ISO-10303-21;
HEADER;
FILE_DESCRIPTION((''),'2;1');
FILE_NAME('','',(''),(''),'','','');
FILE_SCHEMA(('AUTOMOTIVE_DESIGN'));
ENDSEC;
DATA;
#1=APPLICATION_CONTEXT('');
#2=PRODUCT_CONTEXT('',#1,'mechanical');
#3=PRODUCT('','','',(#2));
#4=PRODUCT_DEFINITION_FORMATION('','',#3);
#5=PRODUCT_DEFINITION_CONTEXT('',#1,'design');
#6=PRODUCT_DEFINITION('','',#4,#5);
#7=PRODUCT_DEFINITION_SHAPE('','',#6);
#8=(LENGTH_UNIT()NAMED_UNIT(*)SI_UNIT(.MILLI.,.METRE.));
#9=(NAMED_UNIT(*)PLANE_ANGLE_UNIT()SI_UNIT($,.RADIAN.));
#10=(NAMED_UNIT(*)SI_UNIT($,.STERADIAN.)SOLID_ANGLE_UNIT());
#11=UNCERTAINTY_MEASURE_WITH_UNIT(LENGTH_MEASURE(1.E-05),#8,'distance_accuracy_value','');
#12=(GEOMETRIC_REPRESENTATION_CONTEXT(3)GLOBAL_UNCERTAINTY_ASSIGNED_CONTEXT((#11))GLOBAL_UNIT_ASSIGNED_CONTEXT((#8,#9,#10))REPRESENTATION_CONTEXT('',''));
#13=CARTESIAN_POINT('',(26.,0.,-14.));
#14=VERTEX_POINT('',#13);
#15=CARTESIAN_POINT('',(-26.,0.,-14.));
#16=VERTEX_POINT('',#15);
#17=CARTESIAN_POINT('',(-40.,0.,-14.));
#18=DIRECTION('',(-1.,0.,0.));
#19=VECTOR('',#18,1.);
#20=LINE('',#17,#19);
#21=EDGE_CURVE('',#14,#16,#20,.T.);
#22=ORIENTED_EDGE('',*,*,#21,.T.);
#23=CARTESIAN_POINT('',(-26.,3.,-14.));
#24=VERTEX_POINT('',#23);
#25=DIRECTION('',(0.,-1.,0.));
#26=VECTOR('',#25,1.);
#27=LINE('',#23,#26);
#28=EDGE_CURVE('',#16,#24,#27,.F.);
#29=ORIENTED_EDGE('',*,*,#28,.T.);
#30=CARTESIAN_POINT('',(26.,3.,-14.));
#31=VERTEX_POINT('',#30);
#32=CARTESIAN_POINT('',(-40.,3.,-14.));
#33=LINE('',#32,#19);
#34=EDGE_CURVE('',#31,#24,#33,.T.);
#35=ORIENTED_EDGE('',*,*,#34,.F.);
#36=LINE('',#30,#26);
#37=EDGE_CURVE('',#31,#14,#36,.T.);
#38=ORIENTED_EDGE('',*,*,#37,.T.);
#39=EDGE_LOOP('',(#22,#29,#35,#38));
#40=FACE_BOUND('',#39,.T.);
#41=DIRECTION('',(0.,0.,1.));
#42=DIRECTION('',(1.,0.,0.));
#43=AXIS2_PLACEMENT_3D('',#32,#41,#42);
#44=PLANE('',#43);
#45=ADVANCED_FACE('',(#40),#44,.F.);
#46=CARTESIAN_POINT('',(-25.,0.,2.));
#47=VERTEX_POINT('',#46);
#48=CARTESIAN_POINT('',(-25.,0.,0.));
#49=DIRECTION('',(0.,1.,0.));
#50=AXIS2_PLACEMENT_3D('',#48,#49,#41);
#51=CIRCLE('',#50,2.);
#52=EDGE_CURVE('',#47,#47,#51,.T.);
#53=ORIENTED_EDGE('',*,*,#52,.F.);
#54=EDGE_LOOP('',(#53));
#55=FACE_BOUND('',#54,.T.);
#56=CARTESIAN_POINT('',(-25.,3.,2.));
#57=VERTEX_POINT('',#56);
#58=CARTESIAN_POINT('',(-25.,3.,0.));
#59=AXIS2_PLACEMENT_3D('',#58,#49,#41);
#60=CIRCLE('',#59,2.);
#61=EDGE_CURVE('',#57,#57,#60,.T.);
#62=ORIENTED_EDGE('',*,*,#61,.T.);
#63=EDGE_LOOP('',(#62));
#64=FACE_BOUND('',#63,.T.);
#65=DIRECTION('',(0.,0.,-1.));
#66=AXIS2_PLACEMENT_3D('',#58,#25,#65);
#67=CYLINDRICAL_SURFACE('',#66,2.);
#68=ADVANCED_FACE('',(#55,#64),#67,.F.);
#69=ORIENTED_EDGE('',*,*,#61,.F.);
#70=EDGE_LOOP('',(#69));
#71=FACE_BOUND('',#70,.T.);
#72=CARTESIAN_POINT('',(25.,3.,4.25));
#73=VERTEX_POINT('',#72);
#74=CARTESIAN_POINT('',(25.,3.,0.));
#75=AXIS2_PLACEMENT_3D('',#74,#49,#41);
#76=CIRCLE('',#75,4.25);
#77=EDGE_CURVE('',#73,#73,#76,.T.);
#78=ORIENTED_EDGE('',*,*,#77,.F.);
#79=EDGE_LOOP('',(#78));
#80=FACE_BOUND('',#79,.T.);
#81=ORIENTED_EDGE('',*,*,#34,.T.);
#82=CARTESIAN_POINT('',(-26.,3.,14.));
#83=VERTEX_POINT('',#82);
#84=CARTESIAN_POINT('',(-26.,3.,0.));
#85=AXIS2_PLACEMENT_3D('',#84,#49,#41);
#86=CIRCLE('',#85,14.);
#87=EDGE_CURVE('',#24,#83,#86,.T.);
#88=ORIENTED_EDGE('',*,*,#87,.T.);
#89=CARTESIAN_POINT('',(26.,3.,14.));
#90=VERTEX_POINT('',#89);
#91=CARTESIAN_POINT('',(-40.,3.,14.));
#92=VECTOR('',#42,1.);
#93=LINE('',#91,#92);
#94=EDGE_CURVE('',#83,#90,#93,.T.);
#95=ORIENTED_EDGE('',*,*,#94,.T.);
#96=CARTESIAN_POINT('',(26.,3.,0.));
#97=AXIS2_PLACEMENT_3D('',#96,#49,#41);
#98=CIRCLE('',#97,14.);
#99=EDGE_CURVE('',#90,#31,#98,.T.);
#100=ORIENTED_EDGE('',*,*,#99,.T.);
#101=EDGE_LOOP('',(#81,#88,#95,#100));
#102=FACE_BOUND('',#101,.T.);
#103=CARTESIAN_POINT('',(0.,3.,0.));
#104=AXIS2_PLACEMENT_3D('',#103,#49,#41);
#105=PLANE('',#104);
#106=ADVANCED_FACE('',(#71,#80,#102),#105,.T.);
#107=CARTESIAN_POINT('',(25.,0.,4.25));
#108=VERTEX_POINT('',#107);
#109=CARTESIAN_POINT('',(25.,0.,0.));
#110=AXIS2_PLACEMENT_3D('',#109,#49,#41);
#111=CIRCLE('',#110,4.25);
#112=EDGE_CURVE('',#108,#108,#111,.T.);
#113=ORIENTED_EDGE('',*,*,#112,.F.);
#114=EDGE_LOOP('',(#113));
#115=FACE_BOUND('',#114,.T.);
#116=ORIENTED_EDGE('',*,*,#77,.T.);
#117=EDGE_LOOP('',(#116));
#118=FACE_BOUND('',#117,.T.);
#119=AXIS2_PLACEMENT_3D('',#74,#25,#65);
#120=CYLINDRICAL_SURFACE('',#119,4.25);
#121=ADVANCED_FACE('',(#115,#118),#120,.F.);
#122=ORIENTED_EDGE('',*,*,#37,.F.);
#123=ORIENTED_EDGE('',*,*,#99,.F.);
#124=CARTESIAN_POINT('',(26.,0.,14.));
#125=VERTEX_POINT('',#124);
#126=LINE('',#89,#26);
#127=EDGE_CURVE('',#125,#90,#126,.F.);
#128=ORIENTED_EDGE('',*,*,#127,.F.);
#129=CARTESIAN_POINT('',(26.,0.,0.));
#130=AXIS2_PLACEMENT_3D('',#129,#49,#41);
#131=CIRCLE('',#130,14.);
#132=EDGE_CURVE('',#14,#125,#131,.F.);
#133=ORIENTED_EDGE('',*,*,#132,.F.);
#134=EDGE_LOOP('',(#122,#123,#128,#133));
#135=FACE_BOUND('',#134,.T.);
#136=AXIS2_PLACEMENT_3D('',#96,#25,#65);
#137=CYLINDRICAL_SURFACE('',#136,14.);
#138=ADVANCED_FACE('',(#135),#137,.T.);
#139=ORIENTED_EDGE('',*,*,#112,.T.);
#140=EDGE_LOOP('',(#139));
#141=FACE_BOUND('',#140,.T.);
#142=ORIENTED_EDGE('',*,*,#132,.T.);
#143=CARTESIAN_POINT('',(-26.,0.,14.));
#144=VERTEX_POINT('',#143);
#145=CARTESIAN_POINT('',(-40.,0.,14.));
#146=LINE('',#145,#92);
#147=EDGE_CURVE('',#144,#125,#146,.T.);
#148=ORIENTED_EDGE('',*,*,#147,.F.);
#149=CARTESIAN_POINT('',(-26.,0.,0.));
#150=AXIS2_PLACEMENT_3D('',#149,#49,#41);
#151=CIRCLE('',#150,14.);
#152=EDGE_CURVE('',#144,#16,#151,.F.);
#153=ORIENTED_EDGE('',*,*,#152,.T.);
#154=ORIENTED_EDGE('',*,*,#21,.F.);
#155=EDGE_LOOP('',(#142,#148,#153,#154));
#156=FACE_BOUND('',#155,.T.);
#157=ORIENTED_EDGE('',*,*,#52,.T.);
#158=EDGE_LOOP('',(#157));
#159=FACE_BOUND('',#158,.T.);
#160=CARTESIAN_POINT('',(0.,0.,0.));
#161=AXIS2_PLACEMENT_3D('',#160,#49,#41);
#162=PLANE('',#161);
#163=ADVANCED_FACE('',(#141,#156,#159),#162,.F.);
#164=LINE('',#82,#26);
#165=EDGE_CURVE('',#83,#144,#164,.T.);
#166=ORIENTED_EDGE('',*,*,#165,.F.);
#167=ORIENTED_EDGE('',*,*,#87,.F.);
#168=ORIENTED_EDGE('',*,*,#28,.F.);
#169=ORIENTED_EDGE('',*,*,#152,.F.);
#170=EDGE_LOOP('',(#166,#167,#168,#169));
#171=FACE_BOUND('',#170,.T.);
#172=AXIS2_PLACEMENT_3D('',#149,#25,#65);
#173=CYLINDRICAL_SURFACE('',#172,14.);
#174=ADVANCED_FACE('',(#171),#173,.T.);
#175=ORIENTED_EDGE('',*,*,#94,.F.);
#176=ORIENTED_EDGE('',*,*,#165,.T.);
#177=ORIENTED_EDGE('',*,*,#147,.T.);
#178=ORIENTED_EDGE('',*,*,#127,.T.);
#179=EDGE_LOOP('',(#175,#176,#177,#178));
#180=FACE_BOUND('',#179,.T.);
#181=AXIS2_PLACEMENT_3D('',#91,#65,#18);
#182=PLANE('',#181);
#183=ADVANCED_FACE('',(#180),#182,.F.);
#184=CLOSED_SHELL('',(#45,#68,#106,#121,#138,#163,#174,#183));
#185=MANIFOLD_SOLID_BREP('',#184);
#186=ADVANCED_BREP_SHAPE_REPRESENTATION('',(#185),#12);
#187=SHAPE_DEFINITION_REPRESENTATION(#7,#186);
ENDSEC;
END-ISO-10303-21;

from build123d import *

# Parameters (mm, degrees)
SKETCH_1_W      = 80
SKETCH_1_H      = 28
SKETCH_1_R      = 4.25
SKETCH_1_R_2    = 2
EXTRUDE_1_DEPTH = 3
FILLET_1_RADIUS = 14
FILLET_1_LENGTH = 3
FILLET_2_RADIUS = 14
FILLET_2_LENGTH = 3


with BuildPart() as part:
    # 草图1 → 凸台-拉伸1 (new body)
    with BuildSketch(Plane(origin=(0, 0, 0), x_dir=(1, 0, 0), z_dir=(0, 1, 0))):
        Rectangle(SKETCH_1_W, SKETCH_1_H)
        with Locations(Location((25, 0, 0), (0, 0, 270))):
            Circle(SKETCH_1_R, mode=Mode.SUBTRACT)
        with Locations(Location((-25, 0, 0), (0, 0, 270))):
            Circle(SKETCH_1_R_2, mode=Mode.SUBTRACT)
    extrude(amount=EXTRUDE_1_DEPTH)

    # 圆角1: full round fillet: the end face becomes a half cylinder, R = half its width
    fillet_1_face = Plane((-40, 1.5, 0), x_dir=(0, 1, 0), z_dir=(-1, 0, 0))  # on the end face: x along it, z out of the body
    fillet_1_slab = fillet_1_face.offset(-FILLET_1_RADIUS / 2) * Box(FILLET_1_LENGTH, 2 * FILLET_1_RADIUS, FILLET_1_RADIUS, mode=Mode.PRIVATE)  # the body's end, R deep
    fillet_1_round = Plane((-26, 1.5, 0), x_dir=(-1, 0, 0), z_dir=(0, 1, 0)) * Cylinder(FILLET_1_RADIUS, FILLET_1_LENGTH, mode=Mode.PRIVATE)  # its axis R under the face
    add(fillet_1_slab - fillet_1_round, mode=Mode.SUBTRACT)

    # 圆角2: full round fillet: the end face becomes a half cylinder, R = half its width
    fillet_2_face = Plane((40, 1.5, 0), x_dir=(0, -1, 0), z_dir=(1, 0, 0))  # on the end face: x along it, z out of the body
    fillet_2_slab = fillet_2_face.offset(-FILLET_2_RADIUS / 2) * Box(FILLET_2_LENGTH, 2 * FILLET_2_RADIUS, FILLET_2_RADIUS, mode=Mode.PRIVATE)  # the body's end, R deep
    fillet_2_round = Plane((26, 1.5, 0), x_dir=(1, 0, 0), z_dir=(0, -1, 0)) * Cylinder(FILLET_2_RADIUS, FILLET_2_LENGTH, mode=Mode.PRIVATE)  # its axis R under the face
    add(fillet_2_slab - fillet_2_round, mode=Mode.SUBTRACT)


solid = part.part
